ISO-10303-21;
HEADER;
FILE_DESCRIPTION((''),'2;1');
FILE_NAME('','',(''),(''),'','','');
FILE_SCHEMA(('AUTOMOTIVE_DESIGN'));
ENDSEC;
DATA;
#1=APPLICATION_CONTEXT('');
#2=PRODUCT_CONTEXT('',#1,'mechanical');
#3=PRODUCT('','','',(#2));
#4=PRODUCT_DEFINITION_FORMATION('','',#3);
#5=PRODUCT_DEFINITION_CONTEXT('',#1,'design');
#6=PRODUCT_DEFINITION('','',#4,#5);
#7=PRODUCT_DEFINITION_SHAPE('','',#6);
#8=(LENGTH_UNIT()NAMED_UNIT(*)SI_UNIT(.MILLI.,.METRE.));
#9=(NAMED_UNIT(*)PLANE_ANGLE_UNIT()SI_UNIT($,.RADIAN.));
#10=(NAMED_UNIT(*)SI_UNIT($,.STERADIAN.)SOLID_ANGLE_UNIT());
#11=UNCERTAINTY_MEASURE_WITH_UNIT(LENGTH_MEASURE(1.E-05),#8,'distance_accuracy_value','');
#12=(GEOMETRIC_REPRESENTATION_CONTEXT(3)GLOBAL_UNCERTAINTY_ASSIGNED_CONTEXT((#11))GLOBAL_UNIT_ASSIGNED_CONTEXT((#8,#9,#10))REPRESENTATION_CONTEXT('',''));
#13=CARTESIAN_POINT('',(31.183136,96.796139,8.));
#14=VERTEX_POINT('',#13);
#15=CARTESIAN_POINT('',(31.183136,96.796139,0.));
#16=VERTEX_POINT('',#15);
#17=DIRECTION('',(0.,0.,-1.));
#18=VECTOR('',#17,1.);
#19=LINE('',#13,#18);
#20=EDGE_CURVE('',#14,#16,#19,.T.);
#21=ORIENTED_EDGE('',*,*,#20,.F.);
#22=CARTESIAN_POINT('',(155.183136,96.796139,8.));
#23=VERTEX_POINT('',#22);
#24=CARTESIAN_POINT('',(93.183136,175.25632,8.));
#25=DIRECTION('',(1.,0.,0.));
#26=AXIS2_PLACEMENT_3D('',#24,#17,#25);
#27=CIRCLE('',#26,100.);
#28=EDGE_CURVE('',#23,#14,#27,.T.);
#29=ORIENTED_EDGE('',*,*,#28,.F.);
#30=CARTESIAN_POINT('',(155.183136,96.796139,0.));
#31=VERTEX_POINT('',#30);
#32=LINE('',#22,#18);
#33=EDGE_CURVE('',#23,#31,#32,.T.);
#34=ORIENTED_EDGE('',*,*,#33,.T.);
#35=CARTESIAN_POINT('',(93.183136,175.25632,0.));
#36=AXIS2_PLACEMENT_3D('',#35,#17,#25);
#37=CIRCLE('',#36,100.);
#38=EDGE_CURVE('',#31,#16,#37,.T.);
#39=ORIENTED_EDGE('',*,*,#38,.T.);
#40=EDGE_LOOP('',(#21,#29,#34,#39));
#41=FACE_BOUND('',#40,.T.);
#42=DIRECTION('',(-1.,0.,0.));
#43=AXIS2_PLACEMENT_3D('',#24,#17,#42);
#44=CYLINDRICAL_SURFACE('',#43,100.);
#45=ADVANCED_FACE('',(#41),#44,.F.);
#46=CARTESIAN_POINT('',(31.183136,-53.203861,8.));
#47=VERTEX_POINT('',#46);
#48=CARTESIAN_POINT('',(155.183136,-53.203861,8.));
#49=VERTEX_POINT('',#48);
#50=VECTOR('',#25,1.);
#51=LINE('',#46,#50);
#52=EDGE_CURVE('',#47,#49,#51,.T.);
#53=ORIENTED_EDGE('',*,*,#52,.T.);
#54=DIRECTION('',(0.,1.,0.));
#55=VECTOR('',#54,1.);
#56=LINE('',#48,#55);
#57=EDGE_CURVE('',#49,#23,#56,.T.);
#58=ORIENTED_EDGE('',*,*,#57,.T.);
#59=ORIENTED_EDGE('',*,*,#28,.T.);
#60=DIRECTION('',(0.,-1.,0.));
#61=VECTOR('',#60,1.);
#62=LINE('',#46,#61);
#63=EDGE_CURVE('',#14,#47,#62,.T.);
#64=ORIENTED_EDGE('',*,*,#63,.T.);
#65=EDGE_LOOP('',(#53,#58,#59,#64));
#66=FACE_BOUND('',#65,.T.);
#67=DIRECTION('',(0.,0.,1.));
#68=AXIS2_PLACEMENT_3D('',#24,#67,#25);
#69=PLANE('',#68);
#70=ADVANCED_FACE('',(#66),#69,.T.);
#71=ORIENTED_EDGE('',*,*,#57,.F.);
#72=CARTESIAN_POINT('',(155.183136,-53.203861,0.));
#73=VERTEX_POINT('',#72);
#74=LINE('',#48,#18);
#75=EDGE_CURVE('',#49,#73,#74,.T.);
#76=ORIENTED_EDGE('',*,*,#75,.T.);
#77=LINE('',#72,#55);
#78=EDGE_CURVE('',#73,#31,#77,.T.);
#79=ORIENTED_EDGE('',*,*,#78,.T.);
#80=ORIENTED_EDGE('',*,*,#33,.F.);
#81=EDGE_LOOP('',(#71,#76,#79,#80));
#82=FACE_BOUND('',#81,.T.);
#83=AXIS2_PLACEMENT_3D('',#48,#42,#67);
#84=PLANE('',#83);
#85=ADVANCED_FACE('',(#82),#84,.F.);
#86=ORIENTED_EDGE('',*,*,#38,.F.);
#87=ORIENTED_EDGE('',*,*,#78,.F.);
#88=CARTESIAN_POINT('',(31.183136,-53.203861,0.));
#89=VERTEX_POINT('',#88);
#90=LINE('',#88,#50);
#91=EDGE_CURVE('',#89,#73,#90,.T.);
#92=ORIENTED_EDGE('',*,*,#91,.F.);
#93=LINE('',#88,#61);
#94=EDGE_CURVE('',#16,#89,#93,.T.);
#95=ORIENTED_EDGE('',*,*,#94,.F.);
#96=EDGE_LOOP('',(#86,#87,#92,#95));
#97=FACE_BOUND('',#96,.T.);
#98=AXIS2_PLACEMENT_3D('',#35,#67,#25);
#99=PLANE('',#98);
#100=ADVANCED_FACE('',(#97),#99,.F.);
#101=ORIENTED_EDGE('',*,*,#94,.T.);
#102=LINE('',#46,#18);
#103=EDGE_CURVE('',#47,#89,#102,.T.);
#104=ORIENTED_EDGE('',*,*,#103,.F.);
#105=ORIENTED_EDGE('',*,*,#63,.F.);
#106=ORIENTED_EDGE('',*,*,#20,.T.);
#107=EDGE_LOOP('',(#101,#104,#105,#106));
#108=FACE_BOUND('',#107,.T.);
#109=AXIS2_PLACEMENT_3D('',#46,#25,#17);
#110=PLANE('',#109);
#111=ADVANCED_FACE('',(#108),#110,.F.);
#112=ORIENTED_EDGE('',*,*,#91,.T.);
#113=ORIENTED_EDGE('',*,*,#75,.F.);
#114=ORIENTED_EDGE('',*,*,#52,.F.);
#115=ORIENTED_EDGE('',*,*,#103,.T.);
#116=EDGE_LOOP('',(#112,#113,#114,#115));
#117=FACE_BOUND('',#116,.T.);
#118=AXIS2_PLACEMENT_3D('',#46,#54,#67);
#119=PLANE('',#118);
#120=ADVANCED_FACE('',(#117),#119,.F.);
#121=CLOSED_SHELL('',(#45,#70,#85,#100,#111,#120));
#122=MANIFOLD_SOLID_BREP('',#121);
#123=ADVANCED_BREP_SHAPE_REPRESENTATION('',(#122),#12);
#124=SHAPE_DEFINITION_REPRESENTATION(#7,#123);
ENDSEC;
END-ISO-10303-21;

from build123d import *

# Parameters (mm, degrees)
EXTRUDE_1_DEPTH = 8


with BuildPart() as part:
    # 草图4 → 凸台-拉伸1 (new body)
    with BuildSketch(Plane.XY):
        with BuildLine():
            Line((31.183136193, -53.203860882), (155.183136193, -53.203860882))
            Line((155.183136193, -53.203860882), (155.183136193, 96.796139118))
            ThreePointArc((155.183136193, 96.796139118), (93.183136193, 75.256320101), (31.183136193, 96.796139118))
            Line((31.183136193, 96.796139118), (31.183136193, -53.203860882))
        make_face()
    extrude(amount=EXTRUDE_1_DEPTH)


solid = part.part
